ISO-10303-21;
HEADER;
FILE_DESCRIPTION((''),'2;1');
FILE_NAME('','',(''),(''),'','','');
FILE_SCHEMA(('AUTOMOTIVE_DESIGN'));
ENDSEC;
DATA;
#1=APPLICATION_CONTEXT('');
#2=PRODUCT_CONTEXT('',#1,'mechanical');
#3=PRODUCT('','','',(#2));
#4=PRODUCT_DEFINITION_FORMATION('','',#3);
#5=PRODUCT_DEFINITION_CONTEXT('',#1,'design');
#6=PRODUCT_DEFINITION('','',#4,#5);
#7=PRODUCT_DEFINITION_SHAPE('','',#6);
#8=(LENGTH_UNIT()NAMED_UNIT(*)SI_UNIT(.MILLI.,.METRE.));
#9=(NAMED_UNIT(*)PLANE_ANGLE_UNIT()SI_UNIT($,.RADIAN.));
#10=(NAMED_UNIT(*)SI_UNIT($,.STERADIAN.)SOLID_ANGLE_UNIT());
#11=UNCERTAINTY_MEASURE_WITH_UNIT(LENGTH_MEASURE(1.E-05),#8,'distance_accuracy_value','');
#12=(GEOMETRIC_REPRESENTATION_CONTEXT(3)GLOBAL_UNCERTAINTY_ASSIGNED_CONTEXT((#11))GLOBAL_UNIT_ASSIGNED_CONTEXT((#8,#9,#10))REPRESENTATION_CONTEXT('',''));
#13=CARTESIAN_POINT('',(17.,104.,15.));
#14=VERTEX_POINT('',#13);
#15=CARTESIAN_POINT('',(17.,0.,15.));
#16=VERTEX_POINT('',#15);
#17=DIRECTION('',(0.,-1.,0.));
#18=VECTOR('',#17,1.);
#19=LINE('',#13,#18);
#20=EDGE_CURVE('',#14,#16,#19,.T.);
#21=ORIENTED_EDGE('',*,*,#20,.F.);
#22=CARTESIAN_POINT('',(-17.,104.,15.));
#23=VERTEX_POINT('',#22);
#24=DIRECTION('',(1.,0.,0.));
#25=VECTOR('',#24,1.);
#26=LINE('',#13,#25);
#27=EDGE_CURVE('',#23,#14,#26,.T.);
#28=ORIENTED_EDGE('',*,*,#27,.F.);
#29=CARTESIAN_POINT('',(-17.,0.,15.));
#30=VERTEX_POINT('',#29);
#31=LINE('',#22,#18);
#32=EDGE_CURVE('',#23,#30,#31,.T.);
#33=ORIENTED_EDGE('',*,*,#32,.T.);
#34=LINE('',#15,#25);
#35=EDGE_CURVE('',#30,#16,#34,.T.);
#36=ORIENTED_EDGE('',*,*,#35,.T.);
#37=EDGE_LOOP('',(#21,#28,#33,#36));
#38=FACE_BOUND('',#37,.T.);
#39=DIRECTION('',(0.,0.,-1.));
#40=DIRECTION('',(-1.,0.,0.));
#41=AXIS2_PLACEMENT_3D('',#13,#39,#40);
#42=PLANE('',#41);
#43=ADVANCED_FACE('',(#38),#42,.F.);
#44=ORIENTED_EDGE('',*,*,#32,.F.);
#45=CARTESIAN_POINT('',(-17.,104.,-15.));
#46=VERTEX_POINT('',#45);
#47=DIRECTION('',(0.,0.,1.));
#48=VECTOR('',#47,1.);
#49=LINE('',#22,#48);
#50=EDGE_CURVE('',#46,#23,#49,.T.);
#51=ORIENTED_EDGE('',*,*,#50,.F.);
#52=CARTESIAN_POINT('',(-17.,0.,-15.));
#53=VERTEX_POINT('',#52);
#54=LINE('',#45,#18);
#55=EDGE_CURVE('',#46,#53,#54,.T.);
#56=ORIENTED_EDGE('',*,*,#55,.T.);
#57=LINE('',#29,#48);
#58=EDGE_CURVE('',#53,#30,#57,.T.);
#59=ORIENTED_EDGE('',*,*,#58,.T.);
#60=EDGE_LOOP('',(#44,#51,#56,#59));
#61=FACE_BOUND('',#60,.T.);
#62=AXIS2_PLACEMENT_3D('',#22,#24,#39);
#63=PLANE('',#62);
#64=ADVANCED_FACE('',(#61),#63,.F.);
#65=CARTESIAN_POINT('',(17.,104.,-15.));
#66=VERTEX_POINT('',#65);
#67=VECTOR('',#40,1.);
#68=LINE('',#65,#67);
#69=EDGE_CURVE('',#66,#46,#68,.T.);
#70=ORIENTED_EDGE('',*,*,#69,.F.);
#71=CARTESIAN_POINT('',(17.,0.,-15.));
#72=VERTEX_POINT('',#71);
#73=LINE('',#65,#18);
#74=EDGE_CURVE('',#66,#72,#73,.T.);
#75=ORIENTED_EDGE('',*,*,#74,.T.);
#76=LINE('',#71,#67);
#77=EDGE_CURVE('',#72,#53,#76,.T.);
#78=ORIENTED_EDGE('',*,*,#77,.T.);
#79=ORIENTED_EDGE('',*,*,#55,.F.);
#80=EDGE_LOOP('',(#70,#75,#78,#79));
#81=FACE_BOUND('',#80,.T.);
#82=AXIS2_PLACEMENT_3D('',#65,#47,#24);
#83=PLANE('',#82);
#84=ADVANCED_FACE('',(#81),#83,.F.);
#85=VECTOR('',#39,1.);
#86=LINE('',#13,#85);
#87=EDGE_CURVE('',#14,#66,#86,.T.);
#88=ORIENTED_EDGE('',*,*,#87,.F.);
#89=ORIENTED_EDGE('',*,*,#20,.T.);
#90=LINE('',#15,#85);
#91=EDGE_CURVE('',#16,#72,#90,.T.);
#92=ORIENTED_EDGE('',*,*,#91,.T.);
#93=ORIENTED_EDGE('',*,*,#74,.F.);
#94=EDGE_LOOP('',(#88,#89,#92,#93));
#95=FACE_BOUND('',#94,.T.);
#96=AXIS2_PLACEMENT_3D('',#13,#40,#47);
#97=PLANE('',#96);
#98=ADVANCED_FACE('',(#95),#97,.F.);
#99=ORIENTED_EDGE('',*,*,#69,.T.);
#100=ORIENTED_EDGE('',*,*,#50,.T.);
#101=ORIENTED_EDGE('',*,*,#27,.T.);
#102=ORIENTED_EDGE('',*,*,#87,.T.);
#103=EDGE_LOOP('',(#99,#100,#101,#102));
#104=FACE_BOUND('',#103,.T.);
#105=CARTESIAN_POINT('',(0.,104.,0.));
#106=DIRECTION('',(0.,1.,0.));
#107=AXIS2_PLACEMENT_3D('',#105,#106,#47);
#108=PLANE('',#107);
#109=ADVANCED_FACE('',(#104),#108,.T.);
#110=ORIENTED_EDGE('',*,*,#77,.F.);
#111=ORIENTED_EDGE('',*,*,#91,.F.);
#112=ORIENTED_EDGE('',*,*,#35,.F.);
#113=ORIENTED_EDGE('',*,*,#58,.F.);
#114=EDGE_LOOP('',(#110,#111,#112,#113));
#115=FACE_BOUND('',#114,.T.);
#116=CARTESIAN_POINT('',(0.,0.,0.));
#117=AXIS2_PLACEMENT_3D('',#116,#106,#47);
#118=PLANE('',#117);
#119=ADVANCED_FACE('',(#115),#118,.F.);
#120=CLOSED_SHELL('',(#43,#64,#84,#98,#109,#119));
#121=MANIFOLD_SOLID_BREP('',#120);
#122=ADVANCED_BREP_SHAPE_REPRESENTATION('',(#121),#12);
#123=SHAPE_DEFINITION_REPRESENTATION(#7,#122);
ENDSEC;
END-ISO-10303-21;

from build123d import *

# Parameters (mm, degrees)
SKETCH1_W           = 34
SKETCH1_H           = 30
BOSS_EXTRUDE1_DEPTH = 104


with BuildPart() as part:
    # Sketch1 → Boss-Extrude1 (new body)
    with BuildSketch(Plane(origin=(0, 0, 0), x_dir=(1, 0, 0), z_dir=(0, 1, 0))):
        Rectangle(SKETCH1_W, SKETCH1_H)
    extrude(amount=BOSS_EXTRUDE1_DEPTH)


solid = part.part
